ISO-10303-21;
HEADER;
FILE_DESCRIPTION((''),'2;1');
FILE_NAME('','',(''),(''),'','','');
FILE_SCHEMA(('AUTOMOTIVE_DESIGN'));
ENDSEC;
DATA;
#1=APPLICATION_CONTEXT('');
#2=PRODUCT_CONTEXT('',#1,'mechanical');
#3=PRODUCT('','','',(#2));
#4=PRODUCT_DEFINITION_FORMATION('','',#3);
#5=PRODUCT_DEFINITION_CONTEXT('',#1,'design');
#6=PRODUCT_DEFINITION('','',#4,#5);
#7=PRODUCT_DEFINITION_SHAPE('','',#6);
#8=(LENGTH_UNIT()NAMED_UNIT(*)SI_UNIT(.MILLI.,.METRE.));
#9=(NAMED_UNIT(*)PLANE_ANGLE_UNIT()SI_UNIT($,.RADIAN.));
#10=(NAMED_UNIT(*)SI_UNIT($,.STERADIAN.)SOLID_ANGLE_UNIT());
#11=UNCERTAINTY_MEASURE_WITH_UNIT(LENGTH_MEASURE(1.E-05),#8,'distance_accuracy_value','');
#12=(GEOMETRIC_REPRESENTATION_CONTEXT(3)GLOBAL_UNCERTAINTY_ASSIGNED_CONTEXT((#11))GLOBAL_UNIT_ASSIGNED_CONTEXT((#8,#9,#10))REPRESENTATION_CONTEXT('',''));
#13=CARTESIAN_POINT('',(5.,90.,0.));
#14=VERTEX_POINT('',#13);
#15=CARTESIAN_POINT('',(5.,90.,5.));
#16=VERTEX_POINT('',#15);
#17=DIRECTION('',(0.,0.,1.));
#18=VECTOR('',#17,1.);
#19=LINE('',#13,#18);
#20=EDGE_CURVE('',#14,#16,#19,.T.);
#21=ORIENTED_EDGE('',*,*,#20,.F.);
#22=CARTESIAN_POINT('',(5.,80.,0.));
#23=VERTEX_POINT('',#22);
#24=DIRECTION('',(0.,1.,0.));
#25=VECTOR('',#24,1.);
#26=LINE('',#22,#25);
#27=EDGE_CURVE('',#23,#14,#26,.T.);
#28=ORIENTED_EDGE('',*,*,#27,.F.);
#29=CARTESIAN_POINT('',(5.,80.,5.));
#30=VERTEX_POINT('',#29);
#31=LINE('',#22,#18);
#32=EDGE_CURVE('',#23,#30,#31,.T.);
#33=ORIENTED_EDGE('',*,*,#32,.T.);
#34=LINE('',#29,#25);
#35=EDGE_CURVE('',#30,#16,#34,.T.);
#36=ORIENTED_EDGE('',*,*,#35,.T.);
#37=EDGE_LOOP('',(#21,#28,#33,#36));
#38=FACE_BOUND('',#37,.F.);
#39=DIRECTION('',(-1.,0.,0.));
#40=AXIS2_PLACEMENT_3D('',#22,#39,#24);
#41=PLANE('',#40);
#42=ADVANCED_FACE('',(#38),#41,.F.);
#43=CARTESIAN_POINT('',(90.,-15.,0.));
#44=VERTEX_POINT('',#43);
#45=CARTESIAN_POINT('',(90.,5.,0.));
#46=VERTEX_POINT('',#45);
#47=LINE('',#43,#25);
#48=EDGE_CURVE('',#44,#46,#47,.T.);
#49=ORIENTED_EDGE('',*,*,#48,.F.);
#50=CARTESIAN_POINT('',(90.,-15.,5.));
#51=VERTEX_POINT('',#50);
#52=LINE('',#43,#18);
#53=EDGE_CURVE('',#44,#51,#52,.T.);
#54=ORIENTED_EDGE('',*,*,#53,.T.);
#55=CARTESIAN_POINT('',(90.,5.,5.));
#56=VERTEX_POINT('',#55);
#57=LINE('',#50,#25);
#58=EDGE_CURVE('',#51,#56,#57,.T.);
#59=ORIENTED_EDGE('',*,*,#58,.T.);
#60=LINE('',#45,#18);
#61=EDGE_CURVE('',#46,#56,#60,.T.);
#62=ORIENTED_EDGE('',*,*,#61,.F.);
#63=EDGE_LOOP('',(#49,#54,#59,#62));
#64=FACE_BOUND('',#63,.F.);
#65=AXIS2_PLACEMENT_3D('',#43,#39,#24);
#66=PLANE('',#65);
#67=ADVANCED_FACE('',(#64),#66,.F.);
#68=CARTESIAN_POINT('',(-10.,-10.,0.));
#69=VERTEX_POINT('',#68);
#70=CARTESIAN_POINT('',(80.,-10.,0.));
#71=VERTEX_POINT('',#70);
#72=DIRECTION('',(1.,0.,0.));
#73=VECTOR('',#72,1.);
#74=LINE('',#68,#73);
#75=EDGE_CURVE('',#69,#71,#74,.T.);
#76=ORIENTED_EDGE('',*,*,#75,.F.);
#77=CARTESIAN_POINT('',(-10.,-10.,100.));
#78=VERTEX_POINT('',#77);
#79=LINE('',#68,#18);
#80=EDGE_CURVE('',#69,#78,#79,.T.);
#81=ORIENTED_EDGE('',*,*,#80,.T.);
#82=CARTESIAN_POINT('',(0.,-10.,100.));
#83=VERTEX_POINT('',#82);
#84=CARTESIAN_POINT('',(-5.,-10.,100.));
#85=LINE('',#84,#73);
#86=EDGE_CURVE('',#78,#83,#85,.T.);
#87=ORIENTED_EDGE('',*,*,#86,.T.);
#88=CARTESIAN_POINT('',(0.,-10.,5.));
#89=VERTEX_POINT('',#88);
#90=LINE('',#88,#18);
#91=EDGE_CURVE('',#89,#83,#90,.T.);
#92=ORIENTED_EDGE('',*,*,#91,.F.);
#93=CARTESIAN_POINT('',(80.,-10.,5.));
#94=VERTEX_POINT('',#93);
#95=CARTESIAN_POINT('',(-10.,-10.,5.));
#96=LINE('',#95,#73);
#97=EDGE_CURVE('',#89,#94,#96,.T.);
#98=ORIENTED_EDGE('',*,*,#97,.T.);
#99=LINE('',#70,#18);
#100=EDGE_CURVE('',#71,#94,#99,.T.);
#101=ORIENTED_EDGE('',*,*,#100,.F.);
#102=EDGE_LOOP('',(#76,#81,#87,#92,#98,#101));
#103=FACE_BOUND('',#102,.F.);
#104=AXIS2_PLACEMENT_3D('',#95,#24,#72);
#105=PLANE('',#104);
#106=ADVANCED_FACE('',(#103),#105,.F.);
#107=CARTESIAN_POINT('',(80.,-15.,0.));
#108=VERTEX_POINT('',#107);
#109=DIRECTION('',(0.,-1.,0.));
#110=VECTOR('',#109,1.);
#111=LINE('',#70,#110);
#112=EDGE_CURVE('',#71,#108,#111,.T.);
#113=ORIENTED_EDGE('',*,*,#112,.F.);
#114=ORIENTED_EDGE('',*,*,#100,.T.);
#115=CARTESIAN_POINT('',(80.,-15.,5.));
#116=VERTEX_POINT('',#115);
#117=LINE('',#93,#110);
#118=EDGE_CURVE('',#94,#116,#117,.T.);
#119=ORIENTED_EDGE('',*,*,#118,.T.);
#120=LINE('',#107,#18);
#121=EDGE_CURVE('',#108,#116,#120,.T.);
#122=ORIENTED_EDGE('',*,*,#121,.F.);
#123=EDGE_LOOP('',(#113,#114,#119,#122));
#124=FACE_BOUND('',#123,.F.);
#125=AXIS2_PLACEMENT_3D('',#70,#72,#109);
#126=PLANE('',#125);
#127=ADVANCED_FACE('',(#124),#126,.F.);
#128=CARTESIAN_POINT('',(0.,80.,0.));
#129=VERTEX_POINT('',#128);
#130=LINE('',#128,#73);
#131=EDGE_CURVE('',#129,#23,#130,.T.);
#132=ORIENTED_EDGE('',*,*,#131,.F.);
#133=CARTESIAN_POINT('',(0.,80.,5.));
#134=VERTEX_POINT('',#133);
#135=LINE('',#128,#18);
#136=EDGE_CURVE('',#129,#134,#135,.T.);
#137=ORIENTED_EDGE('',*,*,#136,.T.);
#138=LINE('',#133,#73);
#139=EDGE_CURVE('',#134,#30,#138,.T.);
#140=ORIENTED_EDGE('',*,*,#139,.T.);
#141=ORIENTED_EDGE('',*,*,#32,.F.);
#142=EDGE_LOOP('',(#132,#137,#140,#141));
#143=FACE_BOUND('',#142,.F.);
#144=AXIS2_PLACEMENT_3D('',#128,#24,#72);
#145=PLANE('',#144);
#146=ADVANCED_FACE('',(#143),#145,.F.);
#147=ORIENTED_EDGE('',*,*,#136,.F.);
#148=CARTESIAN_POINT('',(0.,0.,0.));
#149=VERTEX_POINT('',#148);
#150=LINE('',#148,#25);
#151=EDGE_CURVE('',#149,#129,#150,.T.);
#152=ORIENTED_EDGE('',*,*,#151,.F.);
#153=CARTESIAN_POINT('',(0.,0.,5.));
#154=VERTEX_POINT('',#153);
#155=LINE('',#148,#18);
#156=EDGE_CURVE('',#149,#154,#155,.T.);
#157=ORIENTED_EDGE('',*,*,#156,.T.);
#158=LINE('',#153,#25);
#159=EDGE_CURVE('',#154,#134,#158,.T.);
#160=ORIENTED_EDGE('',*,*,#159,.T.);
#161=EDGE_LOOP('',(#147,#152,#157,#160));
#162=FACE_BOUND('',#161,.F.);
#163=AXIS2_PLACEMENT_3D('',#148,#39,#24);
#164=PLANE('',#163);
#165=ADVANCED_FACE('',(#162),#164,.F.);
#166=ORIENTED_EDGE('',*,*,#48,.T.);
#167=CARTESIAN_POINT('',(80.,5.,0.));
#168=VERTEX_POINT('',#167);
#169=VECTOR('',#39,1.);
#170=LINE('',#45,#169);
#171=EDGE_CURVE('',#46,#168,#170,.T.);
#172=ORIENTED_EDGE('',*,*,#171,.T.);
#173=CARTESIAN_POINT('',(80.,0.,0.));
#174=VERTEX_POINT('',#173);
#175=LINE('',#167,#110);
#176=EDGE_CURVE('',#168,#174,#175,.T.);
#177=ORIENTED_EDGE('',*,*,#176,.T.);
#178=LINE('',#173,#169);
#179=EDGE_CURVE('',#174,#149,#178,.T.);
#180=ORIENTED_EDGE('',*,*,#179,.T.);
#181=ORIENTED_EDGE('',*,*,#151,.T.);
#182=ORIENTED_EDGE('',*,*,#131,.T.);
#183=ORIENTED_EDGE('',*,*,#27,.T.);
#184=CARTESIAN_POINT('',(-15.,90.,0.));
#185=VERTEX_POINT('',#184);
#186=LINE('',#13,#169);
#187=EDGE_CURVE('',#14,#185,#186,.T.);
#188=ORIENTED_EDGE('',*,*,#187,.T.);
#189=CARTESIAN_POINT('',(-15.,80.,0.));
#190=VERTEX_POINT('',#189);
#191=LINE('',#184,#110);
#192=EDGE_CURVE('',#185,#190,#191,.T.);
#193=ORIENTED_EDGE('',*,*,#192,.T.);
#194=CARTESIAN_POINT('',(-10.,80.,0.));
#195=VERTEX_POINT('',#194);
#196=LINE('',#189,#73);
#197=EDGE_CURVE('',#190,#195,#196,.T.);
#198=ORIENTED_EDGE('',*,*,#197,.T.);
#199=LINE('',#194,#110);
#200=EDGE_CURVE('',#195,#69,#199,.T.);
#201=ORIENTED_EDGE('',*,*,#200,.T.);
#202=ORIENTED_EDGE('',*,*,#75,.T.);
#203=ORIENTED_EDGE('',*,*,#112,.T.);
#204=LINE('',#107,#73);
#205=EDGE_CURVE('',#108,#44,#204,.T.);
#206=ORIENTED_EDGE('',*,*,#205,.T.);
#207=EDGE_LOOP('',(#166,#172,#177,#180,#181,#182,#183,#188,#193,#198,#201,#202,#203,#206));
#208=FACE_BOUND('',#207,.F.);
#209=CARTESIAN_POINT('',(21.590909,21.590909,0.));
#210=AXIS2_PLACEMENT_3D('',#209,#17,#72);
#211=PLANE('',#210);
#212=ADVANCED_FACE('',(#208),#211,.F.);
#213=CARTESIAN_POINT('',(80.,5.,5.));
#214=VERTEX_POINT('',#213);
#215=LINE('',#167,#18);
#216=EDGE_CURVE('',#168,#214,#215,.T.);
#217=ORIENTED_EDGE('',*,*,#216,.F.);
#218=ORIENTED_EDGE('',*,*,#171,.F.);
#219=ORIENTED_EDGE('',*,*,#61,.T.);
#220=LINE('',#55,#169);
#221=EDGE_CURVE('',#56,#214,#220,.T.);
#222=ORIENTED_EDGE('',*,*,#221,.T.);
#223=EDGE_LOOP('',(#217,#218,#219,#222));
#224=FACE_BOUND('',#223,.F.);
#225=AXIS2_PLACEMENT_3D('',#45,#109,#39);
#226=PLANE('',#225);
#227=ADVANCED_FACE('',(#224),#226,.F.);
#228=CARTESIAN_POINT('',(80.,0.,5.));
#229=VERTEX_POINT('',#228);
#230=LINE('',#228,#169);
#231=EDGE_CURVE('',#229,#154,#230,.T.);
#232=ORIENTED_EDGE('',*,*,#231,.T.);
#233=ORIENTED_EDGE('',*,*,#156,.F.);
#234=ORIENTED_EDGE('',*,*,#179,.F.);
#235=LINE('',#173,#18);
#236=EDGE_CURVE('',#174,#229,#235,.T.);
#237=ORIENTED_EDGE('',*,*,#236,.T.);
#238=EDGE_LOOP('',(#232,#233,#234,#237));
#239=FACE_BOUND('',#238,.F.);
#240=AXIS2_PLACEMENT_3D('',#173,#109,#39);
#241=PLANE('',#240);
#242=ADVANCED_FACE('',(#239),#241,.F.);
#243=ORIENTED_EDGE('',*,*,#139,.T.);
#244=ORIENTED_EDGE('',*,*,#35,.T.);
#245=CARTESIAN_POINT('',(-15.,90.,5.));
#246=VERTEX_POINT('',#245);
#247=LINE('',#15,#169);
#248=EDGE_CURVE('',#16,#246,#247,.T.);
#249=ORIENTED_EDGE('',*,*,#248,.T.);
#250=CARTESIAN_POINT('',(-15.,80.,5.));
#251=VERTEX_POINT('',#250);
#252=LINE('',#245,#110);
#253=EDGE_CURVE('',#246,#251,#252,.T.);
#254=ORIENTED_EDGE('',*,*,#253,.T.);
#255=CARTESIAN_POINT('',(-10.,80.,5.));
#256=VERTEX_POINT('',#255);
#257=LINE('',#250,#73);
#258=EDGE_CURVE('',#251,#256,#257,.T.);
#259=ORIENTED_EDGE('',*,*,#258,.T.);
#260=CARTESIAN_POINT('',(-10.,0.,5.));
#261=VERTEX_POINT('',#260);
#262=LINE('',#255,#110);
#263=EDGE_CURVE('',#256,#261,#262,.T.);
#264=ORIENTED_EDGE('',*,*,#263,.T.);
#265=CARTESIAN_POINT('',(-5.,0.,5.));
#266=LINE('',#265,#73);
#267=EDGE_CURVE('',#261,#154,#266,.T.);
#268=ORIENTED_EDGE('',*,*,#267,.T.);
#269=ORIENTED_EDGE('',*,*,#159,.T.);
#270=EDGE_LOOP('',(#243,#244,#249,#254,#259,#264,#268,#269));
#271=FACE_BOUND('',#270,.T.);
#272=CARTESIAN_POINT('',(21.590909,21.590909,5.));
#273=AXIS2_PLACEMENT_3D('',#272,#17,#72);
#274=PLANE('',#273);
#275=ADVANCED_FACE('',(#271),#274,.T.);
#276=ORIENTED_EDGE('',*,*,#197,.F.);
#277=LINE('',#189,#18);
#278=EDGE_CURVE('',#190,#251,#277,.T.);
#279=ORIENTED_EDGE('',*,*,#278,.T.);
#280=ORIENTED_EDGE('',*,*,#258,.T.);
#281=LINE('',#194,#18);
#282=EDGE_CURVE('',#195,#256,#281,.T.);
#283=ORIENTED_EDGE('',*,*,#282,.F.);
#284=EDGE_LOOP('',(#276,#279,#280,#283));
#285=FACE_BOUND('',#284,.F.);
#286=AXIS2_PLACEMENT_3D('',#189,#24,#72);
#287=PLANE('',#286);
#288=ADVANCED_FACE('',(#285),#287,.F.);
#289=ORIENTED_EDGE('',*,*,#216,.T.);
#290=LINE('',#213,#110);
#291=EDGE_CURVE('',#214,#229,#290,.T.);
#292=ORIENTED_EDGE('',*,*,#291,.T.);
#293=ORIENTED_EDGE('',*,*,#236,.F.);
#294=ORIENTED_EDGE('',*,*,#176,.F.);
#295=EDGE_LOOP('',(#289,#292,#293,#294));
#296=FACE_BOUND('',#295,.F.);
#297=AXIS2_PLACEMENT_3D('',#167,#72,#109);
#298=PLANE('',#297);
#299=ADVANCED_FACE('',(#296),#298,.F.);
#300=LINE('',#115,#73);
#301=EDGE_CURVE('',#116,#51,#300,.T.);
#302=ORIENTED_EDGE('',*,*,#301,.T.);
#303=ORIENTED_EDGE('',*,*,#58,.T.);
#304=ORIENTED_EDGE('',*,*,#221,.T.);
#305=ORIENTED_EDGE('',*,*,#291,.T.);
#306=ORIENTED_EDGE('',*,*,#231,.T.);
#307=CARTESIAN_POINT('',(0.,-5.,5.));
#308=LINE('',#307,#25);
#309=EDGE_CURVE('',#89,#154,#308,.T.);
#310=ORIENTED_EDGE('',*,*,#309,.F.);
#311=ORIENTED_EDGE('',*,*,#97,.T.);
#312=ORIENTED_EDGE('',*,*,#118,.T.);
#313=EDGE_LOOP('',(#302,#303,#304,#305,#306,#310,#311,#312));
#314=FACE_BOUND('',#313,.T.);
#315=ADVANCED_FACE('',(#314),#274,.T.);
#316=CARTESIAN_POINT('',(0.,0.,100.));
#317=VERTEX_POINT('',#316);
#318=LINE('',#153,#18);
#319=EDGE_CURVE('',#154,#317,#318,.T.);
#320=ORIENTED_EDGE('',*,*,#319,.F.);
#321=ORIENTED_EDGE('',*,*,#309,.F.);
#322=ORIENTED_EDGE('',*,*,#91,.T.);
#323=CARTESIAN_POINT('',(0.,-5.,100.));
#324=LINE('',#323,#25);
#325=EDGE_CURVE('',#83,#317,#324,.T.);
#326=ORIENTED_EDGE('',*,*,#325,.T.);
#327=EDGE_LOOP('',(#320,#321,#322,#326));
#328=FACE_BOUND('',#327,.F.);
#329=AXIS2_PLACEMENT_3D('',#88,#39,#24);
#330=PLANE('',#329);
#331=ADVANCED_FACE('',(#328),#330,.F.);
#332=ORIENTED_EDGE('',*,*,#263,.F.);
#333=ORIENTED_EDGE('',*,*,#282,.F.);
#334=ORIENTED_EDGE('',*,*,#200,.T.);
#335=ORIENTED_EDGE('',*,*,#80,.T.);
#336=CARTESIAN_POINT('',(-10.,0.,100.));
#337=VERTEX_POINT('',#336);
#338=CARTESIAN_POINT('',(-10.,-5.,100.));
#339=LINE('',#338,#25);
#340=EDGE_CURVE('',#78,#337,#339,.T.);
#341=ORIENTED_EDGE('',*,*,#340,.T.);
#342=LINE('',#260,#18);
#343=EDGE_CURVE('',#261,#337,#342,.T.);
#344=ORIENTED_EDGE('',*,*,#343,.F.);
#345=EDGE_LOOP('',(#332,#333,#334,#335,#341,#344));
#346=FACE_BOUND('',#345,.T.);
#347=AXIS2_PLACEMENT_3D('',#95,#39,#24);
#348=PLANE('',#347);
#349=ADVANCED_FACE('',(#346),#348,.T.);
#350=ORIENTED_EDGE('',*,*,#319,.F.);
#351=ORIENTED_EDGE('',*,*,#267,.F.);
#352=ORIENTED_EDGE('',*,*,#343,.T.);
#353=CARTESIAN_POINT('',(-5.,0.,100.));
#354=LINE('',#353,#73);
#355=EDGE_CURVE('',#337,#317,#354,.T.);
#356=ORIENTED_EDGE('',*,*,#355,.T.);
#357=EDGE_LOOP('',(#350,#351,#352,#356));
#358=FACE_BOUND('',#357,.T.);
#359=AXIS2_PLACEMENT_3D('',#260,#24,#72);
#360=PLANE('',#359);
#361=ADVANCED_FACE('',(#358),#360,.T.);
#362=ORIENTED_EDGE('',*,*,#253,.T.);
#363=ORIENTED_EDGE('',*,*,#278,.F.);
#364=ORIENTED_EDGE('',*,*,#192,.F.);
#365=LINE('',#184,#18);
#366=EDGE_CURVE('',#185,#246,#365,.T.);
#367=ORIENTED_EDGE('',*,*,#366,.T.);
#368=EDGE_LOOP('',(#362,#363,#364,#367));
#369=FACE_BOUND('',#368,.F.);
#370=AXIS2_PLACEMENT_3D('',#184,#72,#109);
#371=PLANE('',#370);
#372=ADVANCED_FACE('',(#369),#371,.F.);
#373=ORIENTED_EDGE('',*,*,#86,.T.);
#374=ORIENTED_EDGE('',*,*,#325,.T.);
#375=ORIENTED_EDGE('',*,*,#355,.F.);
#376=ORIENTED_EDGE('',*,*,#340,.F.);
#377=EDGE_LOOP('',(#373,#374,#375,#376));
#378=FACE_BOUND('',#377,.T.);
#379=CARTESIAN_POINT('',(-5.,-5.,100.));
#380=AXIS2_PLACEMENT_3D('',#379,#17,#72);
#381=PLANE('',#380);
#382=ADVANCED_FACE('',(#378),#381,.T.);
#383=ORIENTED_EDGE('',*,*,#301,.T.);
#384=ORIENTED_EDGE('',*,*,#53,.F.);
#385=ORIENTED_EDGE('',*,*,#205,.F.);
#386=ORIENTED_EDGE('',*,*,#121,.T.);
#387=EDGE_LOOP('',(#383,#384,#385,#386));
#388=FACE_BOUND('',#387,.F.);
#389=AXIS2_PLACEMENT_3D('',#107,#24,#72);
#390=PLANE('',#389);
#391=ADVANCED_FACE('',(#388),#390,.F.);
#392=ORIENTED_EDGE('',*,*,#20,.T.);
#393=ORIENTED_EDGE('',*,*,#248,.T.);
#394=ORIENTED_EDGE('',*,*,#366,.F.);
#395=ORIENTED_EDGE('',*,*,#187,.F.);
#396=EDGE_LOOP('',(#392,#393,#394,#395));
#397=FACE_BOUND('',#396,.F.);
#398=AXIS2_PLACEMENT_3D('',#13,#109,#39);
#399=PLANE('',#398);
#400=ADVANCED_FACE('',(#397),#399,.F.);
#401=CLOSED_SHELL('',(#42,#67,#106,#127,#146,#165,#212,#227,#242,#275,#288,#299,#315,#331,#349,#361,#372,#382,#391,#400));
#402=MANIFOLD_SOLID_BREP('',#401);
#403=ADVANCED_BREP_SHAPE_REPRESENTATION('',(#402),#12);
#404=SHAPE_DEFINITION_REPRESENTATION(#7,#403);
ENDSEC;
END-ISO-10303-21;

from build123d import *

# Parameters (mm, degrees)
F1_DEPTH = 5
F2_W     = 10
F2_H     = 10
F3_DEPTH = 95


with BuildPart() as f1:
    # F0 (on Top) → F1 (new body)
    with BuildSketch(Plane.XY):
        Polygon((5, 90), (-15, 90), (-15, 80), (-10, 80), (-10, -10), (80, -10), (80, -15), (90, -15), (90, 5), (80, 5), (80, 0), (0, 0), (0, 80), (5, 80), align=None)
    extrude(amount=F1_DEPTH)

    # F2 (on face) → F3 (join)
    with BuildSketch(Plane.XY.offset(5)):
        with Locations((-5, -5)):
            Rectangle(F2_W, F2_H)
    extrude(amount=F3_DEPTH)


solid = f1.part
